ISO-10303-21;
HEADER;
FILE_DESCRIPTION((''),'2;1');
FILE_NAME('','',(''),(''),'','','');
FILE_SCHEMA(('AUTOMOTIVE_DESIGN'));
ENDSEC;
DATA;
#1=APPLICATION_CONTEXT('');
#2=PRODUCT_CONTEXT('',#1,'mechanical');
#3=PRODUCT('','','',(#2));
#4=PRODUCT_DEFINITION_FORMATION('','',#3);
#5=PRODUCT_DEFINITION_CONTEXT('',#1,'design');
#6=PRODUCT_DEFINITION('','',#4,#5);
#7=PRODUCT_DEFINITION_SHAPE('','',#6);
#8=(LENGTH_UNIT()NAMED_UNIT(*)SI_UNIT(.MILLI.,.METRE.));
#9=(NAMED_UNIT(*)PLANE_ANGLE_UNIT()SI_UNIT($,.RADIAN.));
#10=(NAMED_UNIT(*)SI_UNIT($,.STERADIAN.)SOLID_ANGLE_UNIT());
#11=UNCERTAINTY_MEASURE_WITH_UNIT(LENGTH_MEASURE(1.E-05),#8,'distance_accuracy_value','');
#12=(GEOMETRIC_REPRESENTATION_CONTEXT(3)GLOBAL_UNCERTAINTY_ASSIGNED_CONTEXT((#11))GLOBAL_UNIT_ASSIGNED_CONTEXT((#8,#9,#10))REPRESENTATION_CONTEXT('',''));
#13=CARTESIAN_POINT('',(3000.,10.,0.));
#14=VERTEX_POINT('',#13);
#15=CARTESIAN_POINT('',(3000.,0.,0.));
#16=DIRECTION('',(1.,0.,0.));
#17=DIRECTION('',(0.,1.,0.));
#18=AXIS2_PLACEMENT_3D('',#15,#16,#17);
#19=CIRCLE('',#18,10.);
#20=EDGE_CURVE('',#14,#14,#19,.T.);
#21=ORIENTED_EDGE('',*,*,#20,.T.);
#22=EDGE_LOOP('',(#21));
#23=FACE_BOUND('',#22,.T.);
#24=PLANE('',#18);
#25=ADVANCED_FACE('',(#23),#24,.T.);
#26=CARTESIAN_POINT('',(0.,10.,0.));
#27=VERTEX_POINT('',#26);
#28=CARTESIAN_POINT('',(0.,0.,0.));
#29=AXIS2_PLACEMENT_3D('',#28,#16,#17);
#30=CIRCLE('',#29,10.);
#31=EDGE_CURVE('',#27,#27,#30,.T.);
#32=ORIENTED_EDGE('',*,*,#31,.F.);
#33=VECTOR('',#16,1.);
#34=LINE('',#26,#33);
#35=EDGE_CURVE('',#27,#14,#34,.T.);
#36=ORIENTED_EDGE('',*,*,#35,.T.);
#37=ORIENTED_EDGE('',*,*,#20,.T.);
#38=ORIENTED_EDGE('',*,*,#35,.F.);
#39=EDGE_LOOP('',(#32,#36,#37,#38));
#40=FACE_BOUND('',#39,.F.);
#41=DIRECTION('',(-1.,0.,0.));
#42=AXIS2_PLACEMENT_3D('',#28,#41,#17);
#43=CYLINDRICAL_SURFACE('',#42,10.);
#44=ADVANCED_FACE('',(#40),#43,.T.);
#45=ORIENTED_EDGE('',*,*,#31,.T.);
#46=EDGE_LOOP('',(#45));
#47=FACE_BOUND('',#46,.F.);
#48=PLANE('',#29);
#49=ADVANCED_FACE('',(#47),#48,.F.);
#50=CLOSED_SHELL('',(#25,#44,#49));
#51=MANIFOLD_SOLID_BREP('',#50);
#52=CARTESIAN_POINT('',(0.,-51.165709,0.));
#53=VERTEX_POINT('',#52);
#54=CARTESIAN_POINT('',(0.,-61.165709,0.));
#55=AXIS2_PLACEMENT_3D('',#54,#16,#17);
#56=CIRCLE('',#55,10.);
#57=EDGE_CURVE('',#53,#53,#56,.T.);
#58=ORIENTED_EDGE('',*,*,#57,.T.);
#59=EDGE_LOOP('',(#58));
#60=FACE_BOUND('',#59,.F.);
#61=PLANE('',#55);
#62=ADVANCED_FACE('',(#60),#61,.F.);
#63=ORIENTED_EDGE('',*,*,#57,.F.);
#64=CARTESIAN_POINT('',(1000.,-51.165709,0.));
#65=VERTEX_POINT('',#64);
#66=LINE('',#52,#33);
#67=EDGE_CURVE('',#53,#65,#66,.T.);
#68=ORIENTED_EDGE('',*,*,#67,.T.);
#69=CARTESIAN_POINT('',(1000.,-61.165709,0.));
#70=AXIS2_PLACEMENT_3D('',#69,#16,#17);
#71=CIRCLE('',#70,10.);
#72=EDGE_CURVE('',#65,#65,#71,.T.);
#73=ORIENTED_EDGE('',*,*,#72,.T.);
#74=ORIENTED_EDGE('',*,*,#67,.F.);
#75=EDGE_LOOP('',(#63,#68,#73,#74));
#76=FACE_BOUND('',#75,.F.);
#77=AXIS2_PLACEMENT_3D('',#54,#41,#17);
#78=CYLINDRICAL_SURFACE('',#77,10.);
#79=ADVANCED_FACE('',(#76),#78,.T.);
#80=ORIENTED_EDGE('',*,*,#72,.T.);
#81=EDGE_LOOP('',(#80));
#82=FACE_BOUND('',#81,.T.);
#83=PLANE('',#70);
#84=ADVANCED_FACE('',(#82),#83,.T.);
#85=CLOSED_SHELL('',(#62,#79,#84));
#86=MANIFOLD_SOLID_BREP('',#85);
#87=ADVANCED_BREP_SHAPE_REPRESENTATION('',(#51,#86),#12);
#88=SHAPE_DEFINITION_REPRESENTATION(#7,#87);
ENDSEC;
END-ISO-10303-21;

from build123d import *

# Parameters (mm, degrees)
F0_R     = 10
F1_DEPTH = 3000
F2_R     = 10
F3_DEPTH = 1000


with BuildPart() as f1:
    # F0 (on Right) → F1 (new body)
    with BuildSketch(Plane.YZ):
        Circle(F0_R)
    extrude(amount=F1_DEPTH)


with BuildPart() as f3:
    # F2 (on Right) → F3 (new body)
    with BuildSketch(Plane.YZ):
        with Locations((-61.165709, 0)):
            Circle(F2_R)
    extrude(amount=F3_DEPTH)


solid = Compound([f1.part, f3.part])
